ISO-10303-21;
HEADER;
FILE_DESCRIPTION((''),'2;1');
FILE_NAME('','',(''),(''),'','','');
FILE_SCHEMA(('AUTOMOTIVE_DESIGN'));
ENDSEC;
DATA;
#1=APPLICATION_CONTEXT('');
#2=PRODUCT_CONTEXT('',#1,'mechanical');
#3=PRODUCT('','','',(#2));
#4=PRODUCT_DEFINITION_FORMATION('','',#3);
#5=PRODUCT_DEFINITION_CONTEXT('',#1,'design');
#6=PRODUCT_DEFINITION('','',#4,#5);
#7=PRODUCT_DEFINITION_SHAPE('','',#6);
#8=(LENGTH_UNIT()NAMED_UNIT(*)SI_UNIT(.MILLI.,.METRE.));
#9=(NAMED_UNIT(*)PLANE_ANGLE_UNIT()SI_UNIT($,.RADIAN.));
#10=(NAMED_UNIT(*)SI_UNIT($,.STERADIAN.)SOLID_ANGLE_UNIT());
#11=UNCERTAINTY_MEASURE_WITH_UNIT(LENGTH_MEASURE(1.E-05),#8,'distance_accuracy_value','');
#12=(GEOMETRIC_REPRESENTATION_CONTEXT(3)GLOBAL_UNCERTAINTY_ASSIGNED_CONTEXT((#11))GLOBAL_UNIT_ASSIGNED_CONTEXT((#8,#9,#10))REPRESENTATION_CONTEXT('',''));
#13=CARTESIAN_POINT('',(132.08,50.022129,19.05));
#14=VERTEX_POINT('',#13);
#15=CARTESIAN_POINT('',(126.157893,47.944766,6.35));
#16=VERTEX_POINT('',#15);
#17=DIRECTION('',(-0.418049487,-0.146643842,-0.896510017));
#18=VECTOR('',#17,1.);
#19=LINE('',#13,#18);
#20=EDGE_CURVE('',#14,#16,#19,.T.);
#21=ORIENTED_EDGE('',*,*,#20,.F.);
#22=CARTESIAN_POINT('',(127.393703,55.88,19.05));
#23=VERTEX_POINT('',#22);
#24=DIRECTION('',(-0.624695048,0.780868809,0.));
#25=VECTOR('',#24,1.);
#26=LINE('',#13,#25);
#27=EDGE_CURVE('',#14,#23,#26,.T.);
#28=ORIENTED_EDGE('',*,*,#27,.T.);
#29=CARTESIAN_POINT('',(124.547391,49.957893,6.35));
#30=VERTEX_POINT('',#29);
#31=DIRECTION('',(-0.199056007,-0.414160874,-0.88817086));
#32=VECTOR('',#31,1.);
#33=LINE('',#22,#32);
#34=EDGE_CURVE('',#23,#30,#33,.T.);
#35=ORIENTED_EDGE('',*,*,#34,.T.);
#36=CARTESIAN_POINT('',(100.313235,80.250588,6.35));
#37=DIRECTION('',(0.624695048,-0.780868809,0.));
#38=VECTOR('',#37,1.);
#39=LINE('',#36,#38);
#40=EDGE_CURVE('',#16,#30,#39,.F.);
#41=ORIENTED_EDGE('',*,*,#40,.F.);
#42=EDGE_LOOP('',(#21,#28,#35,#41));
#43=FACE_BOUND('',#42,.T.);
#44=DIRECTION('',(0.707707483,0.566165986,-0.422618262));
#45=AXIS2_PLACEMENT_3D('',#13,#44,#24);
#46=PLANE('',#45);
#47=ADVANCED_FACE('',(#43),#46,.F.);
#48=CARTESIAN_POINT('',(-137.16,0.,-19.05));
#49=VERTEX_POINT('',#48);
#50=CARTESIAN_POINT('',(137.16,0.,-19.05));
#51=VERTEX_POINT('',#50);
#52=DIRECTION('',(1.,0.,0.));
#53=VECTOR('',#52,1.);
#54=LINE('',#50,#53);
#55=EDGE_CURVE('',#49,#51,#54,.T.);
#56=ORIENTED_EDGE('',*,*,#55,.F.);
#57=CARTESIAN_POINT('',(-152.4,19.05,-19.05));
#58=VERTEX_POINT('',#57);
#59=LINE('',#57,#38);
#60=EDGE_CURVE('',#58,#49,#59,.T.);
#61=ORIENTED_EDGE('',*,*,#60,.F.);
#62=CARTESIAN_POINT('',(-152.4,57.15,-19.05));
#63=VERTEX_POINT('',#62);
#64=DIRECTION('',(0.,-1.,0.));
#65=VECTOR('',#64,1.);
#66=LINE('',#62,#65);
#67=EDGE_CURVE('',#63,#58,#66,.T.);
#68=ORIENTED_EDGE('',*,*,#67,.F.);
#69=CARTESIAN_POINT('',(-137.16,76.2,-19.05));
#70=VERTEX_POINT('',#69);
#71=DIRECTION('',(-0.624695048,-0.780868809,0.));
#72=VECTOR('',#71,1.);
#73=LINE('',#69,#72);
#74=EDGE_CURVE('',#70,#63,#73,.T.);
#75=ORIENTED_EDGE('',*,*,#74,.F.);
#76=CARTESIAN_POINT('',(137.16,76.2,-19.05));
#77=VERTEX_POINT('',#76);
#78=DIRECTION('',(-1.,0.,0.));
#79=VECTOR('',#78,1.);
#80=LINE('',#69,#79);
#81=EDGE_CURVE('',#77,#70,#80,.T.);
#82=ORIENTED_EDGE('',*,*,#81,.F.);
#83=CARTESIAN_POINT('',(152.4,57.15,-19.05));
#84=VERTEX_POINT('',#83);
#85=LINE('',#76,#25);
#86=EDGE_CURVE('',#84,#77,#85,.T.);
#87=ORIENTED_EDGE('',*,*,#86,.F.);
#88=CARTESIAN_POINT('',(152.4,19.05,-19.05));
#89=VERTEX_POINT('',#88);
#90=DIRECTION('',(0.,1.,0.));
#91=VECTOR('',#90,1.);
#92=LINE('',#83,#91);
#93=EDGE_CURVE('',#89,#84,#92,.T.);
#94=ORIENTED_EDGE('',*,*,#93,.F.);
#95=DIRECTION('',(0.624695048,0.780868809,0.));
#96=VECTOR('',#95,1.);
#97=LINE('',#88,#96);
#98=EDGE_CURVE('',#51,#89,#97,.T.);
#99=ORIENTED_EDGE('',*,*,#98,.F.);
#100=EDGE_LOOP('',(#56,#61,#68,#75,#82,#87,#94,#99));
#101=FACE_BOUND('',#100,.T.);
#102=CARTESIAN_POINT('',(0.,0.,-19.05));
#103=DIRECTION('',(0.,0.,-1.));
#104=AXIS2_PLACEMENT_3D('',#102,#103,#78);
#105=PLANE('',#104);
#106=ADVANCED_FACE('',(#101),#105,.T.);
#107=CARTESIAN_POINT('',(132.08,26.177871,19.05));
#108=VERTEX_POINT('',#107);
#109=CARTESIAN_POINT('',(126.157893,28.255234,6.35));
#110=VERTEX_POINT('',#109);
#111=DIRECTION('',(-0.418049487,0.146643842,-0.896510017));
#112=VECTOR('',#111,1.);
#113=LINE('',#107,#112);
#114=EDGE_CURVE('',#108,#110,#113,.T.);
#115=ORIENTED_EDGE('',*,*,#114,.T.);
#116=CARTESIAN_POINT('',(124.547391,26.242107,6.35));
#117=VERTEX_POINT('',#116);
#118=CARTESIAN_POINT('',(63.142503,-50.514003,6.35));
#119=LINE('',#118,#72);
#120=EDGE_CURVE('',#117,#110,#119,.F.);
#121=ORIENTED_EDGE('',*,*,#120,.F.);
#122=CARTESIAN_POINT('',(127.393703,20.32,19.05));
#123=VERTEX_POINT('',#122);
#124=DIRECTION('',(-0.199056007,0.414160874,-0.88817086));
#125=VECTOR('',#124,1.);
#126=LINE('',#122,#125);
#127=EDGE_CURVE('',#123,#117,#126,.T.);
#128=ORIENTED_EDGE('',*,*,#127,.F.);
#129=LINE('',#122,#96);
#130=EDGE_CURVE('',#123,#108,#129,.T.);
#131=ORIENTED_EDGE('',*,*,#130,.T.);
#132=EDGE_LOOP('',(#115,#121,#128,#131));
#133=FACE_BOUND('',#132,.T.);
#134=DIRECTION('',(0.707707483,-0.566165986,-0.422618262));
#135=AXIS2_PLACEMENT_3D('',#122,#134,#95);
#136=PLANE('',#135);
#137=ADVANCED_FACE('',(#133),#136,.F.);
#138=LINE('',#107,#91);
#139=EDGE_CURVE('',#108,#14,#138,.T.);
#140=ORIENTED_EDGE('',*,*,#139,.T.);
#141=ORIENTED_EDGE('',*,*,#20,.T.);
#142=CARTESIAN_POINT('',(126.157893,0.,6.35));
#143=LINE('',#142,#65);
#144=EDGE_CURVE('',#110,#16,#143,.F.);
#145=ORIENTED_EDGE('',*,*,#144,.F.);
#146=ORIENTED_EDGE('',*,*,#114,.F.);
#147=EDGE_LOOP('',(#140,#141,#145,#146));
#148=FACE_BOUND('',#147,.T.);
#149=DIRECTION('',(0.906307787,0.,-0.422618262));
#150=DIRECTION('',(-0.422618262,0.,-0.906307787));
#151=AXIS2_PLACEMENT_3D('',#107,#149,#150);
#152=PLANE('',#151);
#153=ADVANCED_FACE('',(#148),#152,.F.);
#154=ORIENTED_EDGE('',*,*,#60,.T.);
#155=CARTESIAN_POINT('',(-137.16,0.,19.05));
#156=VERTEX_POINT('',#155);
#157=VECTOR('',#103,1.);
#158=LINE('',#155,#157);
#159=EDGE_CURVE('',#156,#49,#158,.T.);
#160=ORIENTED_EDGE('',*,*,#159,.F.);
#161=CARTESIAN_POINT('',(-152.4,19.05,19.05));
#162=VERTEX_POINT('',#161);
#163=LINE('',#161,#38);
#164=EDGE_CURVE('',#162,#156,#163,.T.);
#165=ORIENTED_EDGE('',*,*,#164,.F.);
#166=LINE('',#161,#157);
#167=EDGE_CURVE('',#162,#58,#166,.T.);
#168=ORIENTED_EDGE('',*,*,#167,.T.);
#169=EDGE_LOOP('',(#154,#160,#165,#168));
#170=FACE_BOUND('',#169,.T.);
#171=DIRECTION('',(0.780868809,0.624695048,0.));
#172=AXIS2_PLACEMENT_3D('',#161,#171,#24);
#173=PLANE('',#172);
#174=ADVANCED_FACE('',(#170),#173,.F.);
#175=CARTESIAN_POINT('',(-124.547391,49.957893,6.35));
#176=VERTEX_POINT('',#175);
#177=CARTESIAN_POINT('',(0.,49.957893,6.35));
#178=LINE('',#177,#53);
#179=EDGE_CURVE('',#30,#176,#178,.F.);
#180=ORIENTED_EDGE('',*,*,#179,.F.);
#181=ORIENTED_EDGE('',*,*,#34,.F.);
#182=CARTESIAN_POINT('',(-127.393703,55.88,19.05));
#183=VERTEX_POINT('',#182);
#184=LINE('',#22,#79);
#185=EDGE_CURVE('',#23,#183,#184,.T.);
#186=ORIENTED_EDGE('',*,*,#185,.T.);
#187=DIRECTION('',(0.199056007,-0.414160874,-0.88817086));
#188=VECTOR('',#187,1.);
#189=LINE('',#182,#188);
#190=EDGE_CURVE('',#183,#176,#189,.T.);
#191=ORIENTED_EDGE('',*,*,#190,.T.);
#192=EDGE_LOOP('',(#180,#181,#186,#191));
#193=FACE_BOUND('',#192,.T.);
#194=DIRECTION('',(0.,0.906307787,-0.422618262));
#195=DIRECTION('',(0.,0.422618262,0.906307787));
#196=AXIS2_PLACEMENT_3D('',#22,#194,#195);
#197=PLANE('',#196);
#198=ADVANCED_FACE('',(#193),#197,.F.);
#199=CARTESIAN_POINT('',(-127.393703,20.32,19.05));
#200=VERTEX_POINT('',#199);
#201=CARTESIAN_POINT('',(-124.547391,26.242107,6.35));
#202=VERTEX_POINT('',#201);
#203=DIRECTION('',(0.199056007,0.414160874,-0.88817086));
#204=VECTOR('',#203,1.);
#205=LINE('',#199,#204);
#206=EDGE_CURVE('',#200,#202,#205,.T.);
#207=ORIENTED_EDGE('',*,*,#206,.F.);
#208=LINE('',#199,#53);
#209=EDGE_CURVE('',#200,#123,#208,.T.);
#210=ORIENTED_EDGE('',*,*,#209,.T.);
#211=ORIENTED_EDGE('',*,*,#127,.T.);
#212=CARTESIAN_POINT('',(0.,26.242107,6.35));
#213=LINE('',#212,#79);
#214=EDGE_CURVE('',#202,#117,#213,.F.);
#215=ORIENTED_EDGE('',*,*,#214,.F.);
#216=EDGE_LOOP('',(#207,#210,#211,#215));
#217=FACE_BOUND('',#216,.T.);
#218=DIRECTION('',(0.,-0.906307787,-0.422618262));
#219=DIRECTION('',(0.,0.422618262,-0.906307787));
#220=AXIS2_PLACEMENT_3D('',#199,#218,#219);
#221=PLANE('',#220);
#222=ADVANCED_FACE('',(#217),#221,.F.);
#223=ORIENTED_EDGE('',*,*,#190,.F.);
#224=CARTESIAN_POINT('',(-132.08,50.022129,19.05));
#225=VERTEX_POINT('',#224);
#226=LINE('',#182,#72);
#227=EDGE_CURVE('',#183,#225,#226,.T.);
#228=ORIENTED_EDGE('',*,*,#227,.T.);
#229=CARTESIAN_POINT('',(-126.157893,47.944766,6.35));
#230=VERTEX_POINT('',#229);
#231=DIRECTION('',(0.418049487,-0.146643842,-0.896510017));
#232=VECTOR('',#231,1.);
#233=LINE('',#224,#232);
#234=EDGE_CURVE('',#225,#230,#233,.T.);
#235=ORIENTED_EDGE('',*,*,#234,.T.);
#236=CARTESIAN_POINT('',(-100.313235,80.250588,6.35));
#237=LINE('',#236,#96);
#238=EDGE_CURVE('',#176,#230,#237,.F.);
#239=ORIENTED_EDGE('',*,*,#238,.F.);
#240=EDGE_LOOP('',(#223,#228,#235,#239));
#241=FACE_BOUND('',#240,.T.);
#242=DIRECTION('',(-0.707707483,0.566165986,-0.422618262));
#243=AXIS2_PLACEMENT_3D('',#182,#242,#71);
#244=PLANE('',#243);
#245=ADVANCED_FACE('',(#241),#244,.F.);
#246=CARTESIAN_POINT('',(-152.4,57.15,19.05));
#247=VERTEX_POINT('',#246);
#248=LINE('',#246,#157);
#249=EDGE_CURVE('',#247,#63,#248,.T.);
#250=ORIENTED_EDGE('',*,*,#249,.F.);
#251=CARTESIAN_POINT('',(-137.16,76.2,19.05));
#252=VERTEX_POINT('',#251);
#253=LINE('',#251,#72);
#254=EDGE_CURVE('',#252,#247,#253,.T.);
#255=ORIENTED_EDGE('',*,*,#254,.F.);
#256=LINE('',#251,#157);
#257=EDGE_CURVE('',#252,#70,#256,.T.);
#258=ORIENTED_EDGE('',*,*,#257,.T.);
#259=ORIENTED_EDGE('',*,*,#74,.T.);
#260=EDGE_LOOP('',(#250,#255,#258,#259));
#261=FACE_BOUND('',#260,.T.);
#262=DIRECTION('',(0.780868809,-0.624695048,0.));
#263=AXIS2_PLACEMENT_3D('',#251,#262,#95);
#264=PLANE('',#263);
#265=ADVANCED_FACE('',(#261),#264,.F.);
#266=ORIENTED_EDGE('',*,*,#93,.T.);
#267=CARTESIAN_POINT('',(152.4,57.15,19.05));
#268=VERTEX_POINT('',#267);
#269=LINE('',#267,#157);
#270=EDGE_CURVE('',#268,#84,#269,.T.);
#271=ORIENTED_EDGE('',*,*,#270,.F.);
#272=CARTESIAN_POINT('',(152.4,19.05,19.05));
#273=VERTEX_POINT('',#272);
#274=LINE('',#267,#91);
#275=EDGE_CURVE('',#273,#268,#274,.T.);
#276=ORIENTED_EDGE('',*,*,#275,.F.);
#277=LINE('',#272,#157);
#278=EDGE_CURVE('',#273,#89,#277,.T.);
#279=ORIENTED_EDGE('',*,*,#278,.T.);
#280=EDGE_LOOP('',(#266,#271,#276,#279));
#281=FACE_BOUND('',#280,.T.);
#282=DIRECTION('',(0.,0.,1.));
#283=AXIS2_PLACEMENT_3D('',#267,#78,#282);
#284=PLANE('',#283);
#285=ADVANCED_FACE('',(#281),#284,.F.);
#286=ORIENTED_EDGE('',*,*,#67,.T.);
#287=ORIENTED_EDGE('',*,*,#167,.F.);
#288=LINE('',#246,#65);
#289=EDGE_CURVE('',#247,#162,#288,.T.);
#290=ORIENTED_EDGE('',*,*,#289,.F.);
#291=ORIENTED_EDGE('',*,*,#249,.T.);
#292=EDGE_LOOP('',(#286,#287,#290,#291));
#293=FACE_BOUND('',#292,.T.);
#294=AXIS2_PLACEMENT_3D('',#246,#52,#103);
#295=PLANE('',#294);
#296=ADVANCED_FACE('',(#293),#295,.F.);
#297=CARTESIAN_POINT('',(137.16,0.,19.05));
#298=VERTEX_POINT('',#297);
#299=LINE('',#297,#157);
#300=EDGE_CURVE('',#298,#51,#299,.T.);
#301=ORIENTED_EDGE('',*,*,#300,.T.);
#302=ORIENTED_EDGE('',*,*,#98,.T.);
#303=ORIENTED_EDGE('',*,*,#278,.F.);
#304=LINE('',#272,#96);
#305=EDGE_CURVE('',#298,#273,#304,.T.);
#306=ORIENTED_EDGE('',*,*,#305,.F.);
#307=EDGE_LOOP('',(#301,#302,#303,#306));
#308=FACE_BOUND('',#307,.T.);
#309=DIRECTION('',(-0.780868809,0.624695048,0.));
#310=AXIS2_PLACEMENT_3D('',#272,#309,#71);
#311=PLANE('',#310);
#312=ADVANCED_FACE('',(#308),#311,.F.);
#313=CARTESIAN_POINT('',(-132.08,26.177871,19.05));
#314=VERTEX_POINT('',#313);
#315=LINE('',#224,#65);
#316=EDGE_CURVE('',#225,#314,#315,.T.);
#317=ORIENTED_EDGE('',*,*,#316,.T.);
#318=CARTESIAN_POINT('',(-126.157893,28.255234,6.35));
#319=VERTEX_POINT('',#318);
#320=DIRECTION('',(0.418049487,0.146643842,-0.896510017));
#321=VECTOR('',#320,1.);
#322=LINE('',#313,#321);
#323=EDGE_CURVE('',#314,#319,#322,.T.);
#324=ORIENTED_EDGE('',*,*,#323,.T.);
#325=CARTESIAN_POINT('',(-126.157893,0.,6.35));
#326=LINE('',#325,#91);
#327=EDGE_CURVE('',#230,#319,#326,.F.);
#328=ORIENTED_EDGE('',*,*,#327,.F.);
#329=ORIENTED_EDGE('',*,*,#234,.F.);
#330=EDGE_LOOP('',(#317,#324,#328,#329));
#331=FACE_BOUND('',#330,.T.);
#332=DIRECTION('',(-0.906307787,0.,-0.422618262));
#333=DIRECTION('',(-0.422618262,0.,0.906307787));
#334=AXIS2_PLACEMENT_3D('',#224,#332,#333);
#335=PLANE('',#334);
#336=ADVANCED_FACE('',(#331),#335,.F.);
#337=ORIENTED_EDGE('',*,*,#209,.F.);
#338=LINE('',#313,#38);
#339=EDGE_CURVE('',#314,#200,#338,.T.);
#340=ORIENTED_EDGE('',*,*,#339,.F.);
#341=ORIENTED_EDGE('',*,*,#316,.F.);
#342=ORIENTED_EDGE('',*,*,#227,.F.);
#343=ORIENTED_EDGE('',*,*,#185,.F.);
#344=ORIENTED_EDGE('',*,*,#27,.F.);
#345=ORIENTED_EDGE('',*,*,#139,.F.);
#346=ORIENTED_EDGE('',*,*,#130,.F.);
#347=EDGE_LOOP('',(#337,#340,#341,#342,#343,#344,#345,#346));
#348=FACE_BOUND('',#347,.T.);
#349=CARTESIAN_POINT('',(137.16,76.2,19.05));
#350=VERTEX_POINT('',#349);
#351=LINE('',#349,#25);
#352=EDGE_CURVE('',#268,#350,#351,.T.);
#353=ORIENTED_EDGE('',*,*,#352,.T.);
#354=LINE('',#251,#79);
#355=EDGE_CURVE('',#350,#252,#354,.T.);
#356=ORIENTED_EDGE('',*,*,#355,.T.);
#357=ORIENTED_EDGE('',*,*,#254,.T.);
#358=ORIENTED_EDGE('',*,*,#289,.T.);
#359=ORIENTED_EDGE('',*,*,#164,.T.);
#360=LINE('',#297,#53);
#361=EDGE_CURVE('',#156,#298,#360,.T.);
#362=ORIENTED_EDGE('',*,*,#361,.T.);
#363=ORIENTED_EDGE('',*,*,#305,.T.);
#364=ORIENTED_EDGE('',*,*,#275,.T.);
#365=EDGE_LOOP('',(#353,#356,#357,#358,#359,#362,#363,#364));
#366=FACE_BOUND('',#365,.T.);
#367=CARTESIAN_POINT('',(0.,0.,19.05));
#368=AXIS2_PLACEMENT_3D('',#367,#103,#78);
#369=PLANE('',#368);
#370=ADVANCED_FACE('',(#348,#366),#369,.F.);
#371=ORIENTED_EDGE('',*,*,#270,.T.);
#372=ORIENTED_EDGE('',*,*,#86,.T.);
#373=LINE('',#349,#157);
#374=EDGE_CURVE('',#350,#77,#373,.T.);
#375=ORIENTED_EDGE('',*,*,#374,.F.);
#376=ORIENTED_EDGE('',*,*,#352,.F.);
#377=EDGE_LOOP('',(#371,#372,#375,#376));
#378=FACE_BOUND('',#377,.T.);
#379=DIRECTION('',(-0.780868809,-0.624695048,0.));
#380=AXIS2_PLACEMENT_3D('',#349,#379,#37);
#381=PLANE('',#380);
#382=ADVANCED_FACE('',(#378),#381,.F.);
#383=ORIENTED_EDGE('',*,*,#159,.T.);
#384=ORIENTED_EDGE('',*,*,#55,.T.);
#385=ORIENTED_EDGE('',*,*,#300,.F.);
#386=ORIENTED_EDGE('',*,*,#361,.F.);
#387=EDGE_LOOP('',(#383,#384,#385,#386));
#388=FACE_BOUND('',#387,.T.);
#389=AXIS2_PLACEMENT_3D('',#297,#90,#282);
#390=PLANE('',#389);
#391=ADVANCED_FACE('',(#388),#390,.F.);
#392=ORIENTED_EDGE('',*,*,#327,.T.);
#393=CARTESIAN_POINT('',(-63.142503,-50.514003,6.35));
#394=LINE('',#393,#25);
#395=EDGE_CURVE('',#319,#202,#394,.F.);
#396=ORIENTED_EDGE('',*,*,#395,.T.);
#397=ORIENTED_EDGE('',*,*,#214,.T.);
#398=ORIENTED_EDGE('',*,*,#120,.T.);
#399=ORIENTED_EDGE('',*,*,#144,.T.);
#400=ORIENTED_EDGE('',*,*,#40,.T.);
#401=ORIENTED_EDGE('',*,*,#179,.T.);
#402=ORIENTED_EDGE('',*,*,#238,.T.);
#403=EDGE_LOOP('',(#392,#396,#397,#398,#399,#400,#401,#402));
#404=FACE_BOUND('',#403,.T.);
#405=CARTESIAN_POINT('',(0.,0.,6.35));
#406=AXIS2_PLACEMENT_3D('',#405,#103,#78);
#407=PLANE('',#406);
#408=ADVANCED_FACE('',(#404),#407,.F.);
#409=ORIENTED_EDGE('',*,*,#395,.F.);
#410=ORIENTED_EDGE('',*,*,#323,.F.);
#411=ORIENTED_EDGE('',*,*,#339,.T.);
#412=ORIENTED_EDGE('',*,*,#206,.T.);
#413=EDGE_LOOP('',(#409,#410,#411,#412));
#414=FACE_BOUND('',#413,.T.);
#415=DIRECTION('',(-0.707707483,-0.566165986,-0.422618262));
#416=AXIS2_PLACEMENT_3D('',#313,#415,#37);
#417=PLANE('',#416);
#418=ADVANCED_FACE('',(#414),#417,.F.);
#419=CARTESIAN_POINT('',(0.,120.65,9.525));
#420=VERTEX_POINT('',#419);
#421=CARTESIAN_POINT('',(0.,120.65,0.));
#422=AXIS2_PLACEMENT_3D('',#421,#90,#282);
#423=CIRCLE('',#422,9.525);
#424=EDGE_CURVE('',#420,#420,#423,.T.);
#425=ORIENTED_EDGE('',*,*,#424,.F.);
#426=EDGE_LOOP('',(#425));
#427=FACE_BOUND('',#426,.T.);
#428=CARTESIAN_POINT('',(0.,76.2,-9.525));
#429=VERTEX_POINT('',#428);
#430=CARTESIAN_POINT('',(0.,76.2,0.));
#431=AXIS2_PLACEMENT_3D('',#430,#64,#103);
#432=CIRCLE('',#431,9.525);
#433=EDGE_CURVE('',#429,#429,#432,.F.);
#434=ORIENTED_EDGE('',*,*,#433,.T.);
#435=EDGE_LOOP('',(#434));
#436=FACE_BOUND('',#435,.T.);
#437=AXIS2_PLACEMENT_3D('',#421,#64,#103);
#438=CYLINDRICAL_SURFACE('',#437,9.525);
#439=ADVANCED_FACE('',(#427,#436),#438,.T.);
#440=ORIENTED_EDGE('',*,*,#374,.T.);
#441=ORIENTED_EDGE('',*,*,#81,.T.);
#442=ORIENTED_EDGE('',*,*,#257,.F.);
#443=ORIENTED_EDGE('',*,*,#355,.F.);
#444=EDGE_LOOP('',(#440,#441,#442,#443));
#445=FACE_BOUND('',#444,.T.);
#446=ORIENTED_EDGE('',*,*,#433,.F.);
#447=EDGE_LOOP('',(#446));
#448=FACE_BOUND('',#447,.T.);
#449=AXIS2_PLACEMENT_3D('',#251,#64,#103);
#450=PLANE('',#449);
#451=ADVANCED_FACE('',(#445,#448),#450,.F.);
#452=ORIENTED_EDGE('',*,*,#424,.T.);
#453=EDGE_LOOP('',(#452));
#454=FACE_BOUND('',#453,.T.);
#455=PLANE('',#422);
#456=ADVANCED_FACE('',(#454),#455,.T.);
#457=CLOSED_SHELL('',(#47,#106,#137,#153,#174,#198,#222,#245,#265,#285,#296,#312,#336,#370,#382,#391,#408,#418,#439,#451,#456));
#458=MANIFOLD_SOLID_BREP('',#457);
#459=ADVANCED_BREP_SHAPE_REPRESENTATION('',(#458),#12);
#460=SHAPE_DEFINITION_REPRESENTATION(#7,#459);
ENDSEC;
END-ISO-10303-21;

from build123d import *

# Parameters (mm, degrees)
BOSS_EXTRUDE1_DEPTH = 19.05
CUT_EXTRUDE1_DEPTH  = 12.7
CUT_EXTRUDE1_TAPER  = 25
SKETCH9_R           = 9.525
BOSS_EXTRUDE3_DEPTH = 44.45


with BuildPart() as part:
    # Sketch2 → Boss-Extrude1 (new, symmetric)
    with BuildSketch(Plane.XY):
        Polygon((-137.16, 76.2), (137.16, 76.2), (152.4, 57.15), (152.4, 19.05), (137.16, 0), (-137.16, 0), (-152.4, 19.05), (-152.4, 57.15), align=None)
    extrude(amount=BOSS_EXTRUDE1_DEPTH, both=True)

    # 3DSketch1 → Cut-Extrude1 (cut)
    with BuildSketch(Plane(origin=(127.393703099, 20.32, 19.05), x_dir=(-0.9935119261035652, 0.11372797672509682, 0), z_dir=(0, 0, -1))):
        Polygon((0, 0), (253.134326679, -28.976456202), (258.45642237, -23.689554441), (261.16818156, 0), (257.178493531, 6.35282789), (4.044166852, 35.329284092), (-1.277928839, 30.042382332), (-3.989688029, 6.35282789), align=None)
    extrude(amount=CUT_EXTRUDE1_DEPTH, taper=CUT_EXTRUDE1_TAPER, mode=Mode.SUBTRACT)

    # Sketch9 → Boss-Extrude3 (add)
    with BuildSketch(Plane(origin=(0, 76.2, 0), x_dir=(1, 0, 0), z_dir=(0, 1, 0))):
        with Locations(Location((0, 0, 0), (0, 0, 90))):
            Circle(SKETCH9_R)
    extrude(amount=BOSS_EXTRUDE3_DEPTH)


solid = part.part
